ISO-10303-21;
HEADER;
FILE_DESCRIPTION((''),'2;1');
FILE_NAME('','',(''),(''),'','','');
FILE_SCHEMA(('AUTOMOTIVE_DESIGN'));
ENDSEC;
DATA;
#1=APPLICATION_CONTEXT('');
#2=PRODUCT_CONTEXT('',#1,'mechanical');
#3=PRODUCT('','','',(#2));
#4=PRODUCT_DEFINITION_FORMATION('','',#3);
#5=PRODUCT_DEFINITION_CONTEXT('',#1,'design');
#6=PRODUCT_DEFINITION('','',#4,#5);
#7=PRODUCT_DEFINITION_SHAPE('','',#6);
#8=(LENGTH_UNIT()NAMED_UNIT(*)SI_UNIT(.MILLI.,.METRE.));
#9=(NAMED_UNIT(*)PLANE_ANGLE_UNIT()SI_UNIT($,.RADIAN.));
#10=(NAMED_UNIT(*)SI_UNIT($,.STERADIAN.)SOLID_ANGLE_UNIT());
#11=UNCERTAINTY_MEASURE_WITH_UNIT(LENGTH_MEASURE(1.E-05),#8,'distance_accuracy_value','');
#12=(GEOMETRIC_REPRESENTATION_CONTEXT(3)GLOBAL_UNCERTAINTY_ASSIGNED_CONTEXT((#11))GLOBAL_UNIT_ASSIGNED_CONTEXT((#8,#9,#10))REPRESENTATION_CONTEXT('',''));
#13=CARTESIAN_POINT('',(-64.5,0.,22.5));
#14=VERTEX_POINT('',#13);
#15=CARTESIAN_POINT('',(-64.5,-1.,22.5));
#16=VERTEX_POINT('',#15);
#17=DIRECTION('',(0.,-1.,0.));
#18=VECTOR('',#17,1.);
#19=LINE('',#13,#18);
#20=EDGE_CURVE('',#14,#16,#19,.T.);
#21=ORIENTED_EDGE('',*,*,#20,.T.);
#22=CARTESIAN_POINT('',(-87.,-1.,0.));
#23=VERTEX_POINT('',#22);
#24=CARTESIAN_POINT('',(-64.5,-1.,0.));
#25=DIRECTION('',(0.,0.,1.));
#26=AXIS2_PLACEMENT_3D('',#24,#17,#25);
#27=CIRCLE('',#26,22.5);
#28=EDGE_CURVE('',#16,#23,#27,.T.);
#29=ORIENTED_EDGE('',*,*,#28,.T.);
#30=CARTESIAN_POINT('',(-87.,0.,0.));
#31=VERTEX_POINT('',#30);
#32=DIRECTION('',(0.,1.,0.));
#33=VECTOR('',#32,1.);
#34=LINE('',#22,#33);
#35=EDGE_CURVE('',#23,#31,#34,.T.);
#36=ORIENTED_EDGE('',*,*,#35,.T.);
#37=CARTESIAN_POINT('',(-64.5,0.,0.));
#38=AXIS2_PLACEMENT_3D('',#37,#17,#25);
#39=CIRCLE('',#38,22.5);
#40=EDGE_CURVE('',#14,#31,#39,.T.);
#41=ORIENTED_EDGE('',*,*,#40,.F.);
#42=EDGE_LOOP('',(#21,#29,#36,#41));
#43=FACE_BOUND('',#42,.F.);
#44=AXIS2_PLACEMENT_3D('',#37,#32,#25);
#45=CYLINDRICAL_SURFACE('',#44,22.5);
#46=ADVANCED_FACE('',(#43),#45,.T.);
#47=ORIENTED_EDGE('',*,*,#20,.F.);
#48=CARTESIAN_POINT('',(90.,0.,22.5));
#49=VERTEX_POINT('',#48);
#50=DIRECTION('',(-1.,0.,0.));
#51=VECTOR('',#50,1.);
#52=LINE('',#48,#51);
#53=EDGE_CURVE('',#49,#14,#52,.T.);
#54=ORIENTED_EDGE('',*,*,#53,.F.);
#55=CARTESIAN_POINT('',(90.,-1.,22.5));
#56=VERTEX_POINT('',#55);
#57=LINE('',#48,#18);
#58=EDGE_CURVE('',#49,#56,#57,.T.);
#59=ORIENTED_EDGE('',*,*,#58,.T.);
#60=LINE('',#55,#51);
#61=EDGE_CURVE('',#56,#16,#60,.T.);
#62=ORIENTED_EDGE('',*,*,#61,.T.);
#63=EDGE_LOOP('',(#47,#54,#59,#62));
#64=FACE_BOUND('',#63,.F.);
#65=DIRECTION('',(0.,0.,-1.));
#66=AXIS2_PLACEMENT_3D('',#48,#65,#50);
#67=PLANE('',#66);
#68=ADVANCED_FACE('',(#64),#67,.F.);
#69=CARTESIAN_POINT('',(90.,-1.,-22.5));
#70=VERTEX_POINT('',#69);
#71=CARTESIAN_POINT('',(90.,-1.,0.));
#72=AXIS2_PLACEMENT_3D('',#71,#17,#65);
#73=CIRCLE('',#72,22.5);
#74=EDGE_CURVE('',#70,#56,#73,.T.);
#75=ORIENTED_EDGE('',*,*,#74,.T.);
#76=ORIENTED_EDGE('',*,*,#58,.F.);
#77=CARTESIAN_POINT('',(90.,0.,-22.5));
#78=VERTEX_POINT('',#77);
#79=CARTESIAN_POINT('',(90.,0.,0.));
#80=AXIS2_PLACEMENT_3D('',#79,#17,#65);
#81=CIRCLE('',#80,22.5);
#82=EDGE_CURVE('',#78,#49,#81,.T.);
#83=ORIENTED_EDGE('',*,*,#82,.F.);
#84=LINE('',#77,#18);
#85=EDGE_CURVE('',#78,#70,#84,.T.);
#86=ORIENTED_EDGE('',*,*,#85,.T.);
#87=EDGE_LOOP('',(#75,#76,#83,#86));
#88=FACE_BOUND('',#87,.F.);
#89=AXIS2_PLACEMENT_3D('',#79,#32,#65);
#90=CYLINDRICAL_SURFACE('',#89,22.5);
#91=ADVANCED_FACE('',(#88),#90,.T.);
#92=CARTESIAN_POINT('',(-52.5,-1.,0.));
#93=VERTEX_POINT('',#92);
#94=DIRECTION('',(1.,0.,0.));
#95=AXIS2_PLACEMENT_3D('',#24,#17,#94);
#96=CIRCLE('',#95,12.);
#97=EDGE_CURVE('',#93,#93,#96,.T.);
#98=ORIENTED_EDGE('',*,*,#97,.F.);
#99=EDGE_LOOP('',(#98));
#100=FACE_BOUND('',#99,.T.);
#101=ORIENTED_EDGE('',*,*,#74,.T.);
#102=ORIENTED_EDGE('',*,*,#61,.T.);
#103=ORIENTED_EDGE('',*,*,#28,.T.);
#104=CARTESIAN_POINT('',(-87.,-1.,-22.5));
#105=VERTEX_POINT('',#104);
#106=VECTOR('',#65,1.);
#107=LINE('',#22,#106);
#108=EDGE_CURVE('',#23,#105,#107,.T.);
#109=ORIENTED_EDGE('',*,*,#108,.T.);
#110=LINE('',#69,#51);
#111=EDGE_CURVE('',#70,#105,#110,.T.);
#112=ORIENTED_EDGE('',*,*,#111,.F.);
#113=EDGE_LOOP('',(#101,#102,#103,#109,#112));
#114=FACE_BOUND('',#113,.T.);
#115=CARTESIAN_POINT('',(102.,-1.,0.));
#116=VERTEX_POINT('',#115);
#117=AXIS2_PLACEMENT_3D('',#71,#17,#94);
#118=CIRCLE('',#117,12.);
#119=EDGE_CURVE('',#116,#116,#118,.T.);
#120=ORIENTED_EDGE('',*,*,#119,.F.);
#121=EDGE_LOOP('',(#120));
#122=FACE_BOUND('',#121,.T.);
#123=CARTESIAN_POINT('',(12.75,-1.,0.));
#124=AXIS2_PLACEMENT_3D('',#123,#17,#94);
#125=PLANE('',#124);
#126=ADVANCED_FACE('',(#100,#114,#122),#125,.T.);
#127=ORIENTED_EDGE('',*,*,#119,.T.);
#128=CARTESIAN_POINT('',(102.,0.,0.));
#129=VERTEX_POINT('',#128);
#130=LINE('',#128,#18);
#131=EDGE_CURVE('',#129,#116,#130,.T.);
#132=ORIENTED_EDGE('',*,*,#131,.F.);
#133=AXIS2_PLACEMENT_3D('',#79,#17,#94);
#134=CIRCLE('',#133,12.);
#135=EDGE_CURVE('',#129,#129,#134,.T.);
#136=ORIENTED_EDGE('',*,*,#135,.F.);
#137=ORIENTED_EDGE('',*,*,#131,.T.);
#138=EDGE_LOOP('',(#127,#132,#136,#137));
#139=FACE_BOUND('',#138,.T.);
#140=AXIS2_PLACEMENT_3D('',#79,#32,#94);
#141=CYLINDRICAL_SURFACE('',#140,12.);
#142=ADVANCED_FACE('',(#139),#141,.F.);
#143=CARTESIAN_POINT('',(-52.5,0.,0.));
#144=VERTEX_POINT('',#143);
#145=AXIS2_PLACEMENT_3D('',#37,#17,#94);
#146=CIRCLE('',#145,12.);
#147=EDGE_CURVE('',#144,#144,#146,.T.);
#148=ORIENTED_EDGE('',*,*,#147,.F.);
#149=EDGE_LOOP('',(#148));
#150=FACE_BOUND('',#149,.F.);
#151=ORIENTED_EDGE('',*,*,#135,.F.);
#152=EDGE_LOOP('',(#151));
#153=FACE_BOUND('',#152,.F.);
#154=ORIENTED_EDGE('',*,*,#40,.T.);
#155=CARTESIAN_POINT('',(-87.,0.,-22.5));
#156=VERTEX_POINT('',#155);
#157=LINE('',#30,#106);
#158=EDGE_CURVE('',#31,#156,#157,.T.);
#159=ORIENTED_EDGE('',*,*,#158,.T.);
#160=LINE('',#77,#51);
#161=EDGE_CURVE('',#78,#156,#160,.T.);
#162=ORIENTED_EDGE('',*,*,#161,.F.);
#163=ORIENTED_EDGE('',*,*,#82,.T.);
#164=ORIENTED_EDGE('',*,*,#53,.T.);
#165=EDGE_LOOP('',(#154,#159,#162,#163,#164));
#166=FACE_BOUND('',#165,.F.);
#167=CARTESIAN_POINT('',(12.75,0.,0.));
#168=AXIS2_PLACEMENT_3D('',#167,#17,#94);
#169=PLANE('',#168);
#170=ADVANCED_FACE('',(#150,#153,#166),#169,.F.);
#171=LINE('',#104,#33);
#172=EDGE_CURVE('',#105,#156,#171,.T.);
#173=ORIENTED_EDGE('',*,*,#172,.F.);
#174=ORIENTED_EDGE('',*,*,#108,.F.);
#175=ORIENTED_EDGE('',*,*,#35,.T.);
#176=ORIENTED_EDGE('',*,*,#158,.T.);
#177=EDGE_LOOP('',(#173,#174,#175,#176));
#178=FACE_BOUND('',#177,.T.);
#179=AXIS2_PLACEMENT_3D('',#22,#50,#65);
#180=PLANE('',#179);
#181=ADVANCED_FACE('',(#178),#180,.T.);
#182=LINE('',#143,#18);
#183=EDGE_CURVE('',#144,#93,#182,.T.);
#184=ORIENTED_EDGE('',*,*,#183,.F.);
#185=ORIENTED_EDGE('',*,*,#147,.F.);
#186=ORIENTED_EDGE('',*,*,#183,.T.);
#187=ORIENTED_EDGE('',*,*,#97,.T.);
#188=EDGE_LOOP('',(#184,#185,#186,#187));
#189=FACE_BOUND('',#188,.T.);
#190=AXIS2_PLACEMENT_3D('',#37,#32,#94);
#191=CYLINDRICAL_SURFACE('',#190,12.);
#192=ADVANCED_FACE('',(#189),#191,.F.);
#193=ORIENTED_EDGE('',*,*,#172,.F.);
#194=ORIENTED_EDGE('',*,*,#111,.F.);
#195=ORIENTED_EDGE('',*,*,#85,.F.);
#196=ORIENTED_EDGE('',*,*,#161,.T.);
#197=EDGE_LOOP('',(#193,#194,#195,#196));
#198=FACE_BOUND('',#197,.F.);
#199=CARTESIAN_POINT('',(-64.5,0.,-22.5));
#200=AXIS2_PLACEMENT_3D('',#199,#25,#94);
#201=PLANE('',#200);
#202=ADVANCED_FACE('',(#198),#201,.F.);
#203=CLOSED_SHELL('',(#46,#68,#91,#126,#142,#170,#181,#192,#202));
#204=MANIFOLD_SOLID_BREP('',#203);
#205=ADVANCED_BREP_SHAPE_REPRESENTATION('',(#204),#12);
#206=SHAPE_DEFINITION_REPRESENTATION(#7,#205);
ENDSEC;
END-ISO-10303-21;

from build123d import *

# Parameters (mm, degrees)
F0_R     = 12
F1_DEPTH = 1
F3_DEPTH = 1


with BuildPart() as f1:
    # F0 (on Front) → F1 (new body)
    with BuildSketch(Plane.XZ):
        with BuildLine():
            Line((90, 22.5), (0, 22.5))
            Line((0, 22.5), (-64.5, 22.5))
            ThreePointArc((-64.5, 22.5), (-87, 0), (-64.5, -22.5))
            Line((-64.5, -22.5), (0, -22.5))
            Line((0, -22.5), (90, -22.5))
            ThreePointArc((90, -22.5), (112.5, 0), (90, 22.5))
        make_face()
        with Locations((-64.5, 0)):
            Circle(F0_R, mode=Mode.SUBTRACT)
        with Locations((90, 0)):
            Circle(F0_R, mode=Mode.SUBTRACT)
    extrude(amount=F1_DEPTH)

    # F2 (on face) → F3 (join)
    with BuildSketch(Plane.XZ.offset(1)):
        Polygon((-84.272794, -1.934636), (-87, 0), (-87, -22.5), (-64.5, -22.5), (-70.418127, -18.801184), (-80.156557, -10.970287), align=None)
    extrude(amount=-F3_DEPTH)


solid = f1.part
